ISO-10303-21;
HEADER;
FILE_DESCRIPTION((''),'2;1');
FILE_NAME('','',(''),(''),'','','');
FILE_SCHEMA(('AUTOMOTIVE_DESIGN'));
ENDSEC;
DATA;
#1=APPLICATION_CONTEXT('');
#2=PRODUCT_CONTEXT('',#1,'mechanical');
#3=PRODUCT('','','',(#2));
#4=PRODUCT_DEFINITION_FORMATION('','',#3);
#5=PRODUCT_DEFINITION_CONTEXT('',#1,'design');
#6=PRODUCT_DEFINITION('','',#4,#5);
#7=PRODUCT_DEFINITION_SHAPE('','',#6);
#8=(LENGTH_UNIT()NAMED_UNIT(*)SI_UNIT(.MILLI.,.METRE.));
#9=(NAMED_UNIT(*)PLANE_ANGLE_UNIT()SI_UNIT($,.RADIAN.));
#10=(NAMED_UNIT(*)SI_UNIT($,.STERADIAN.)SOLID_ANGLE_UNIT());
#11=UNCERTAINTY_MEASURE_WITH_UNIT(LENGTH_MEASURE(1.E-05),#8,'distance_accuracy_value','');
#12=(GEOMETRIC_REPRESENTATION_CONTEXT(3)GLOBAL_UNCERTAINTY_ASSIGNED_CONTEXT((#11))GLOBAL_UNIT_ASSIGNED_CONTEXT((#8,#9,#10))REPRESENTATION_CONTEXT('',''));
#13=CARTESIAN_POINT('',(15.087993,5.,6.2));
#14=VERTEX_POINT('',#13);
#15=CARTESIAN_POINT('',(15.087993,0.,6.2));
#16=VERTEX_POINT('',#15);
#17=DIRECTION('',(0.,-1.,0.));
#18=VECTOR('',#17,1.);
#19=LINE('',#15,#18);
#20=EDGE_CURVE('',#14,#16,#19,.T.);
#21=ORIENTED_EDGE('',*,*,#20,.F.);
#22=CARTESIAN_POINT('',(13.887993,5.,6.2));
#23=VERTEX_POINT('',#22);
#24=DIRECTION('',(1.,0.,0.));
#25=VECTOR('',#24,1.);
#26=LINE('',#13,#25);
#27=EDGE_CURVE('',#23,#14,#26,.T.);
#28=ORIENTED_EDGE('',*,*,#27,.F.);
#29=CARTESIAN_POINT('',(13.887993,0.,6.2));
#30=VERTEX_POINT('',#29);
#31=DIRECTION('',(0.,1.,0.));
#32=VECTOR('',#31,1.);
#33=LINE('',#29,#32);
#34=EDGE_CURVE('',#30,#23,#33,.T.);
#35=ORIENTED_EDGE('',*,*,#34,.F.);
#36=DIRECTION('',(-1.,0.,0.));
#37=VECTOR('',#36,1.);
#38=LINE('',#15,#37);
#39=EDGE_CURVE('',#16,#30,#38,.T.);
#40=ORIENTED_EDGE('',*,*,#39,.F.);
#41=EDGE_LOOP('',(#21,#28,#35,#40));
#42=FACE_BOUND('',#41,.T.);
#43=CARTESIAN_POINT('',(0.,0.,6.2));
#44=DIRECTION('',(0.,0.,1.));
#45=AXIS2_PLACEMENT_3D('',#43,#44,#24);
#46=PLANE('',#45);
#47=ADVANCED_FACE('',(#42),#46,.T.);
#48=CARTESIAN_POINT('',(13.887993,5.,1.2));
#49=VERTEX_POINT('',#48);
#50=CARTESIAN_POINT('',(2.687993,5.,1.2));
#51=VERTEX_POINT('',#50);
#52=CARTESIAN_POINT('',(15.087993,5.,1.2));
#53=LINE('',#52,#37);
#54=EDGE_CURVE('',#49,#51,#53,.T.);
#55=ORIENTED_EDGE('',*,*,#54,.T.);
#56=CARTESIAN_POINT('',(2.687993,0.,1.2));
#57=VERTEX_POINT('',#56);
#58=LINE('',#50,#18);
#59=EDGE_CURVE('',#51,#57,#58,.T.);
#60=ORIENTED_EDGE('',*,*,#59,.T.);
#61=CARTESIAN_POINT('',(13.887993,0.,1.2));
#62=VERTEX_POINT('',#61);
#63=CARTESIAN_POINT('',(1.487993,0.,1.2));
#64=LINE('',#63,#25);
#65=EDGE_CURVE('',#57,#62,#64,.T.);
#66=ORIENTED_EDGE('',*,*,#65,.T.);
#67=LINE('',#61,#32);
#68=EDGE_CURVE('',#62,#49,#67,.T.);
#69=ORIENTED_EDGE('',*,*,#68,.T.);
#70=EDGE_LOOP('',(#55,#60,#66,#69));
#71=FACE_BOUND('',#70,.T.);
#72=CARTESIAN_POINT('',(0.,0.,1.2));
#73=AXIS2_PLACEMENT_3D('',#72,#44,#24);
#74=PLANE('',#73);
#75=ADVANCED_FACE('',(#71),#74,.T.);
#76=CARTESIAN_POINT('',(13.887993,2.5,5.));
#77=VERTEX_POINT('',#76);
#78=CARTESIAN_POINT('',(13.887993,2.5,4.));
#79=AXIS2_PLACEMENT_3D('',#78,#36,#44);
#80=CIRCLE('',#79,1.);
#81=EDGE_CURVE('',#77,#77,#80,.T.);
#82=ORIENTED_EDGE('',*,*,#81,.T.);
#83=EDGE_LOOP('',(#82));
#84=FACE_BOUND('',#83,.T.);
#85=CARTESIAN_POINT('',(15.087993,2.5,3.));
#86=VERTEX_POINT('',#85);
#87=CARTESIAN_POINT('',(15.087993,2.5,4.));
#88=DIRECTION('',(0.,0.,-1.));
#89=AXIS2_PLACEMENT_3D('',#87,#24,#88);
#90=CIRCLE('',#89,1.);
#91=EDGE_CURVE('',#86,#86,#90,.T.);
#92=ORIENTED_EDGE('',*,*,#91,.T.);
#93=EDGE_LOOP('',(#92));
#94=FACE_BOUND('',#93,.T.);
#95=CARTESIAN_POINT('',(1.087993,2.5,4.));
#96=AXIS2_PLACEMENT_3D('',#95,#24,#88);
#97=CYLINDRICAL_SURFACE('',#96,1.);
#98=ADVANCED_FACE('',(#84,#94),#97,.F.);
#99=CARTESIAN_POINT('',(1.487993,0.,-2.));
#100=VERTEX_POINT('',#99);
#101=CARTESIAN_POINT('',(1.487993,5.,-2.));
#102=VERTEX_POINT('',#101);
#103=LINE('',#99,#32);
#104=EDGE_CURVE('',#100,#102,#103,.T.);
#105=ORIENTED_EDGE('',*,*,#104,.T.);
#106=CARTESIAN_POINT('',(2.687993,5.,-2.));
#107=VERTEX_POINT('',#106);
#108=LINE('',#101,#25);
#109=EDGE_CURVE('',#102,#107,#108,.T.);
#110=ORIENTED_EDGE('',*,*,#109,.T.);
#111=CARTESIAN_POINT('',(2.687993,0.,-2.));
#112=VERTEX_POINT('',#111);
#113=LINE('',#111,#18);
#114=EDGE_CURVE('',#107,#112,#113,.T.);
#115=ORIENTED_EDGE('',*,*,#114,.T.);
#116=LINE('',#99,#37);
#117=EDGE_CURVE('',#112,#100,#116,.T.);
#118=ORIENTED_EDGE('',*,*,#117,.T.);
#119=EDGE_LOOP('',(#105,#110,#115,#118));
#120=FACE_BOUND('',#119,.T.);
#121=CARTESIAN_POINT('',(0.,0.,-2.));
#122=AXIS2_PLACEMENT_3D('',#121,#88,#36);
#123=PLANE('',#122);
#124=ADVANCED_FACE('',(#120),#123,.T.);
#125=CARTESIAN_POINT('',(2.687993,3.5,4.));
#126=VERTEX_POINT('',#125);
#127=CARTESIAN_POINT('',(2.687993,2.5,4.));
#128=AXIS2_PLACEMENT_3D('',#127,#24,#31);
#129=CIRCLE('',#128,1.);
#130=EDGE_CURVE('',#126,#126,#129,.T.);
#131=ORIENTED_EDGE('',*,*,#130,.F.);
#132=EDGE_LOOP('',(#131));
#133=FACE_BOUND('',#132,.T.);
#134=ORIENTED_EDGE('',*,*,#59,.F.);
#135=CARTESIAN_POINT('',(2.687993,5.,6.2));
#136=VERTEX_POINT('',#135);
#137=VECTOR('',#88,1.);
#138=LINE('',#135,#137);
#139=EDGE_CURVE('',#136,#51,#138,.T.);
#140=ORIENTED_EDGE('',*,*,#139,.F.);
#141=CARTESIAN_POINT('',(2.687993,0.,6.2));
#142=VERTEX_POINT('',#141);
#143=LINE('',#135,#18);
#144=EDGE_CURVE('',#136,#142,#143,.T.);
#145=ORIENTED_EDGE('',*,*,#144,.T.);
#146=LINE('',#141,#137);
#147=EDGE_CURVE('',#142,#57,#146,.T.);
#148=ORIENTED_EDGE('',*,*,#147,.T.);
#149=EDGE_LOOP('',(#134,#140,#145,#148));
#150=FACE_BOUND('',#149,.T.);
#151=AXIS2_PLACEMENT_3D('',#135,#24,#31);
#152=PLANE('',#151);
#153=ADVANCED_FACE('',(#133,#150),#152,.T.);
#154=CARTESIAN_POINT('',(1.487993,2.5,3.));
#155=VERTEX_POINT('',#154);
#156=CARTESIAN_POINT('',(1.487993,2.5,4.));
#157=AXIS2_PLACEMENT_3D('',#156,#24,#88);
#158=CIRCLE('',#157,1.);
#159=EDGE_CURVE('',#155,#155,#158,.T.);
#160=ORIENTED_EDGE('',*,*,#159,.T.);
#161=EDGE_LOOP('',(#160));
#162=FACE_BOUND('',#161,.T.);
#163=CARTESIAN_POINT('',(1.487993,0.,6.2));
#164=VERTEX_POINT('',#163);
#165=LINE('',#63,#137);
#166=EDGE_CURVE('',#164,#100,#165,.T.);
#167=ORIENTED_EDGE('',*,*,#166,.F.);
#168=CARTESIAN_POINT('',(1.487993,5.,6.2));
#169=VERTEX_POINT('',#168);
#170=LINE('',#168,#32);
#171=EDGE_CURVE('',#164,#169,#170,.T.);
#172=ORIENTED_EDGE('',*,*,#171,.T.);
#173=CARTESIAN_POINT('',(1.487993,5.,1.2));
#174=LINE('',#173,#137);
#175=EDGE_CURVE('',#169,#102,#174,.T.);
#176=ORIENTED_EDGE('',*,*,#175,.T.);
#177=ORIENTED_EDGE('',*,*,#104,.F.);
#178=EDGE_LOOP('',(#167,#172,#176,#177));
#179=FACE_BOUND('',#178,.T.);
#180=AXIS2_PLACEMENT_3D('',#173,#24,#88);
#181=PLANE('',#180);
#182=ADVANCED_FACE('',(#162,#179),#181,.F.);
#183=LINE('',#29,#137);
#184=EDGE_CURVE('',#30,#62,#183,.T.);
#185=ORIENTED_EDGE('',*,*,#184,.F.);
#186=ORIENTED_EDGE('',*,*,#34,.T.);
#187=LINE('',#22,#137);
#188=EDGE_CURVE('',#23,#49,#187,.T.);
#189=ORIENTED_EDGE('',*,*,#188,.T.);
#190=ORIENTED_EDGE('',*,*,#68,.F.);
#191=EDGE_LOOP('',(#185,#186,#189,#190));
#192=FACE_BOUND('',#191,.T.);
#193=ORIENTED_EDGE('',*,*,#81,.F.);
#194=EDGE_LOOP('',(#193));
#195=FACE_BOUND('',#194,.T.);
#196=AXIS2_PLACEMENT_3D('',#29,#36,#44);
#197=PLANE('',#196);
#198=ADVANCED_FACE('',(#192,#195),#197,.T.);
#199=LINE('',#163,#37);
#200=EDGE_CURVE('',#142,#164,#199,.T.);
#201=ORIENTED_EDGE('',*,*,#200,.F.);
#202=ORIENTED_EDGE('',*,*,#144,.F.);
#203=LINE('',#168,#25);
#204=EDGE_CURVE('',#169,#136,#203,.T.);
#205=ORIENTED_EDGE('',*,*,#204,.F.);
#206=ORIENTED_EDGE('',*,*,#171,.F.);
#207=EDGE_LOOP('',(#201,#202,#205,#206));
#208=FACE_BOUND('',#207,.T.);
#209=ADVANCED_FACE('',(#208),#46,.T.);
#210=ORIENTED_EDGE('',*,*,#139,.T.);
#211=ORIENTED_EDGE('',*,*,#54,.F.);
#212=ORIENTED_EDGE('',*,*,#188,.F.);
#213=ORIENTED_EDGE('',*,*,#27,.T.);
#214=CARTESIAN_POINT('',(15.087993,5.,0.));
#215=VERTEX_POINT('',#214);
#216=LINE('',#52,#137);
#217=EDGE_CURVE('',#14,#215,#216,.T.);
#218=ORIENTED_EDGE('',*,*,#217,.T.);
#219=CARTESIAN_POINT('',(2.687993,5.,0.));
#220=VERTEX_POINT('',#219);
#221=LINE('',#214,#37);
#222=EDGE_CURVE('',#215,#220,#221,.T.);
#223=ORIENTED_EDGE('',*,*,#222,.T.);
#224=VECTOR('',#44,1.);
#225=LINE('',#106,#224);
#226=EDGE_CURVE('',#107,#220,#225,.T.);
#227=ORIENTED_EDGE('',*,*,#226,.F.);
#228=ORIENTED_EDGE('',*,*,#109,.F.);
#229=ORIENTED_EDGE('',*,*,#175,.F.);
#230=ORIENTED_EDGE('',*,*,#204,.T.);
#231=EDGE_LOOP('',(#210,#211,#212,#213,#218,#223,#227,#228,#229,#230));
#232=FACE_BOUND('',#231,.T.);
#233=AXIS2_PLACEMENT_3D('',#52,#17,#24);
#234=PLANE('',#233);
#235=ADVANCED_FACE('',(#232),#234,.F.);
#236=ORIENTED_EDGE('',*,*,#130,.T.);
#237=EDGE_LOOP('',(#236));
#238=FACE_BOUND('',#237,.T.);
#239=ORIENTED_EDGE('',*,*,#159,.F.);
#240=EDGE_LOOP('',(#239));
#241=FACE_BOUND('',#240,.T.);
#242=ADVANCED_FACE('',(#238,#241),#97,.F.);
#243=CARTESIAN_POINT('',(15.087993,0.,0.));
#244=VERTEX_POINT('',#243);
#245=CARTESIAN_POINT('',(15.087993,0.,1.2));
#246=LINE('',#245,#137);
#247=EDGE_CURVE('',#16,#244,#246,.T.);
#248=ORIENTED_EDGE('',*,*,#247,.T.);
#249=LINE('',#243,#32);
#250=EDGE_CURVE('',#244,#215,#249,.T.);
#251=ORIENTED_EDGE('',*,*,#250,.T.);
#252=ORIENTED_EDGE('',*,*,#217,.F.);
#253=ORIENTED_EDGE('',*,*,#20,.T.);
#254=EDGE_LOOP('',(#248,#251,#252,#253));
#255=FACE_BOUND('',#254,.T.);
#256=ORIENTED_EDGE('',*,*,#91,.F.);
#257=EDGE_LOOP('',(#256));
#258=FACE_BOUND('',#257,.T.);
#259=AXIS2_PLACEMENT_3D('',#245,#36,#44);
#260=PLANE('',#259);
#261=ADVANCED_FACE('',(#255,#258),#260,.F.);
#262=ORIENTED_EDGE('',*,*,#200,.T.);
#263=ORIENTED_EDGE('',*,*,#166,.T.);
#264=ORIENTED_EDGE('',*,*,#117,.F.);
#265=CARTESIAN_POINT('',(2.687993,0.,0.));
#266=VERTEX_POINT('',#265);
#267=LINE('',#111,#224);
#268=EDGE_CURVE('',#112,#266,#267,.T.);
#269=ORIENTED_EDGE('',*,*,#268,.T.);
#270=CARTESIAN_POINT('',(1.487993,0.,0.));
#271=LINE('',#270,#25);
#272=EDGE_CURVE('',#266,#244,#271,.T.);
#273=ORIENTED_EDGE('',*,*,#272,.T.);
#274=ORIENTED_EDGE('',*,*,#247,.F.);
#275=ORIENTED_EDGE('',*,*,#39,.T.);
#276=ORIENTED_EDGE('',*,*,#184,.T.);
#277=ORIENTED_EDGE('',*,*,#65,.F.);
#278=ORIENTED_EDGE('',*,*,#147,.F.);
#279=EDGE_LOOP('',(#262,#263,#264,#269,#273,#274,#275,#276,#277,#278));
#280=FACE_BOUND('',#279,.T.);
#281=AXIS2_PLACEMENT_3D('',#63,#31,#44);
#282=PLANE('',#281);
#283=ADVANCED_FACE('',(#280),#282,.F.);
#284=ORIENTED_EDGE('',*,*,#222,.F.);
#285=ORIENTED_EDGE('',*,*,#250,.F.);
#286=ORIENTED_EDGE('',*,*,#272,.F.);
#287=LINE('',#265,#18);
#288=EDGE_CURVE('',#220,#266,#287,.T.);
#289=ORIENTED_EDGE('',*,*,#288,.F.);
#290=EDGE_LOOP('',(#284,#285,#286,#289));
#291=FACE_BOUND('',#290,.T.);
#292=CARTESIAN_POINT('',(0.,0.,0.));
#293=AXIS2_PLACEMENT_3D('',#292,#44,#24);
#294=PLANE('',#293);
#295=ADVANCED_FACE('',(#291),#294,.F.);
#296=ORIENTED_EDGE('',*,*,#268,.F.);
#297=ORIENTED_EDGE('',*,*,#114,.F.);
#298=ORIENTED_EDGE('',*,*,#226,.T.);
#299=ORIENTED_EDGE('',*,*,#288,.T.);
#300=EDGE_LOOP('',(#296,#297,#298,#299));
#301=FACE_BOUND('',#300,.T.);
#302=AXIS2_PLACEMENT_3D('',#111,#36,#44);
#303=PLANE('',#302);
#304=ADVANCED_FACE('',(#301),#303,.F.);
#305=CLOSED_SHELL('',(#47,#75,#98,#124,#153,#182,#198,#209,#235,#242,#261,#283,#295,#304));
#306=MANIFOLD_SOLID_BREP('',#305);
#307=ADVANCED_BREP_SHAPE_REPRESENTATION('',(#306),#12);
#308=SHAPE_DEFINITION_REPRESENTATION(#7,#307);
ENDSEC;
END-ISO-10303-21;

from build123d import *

# Parameters (mm, degrees)
SKETCH_1_W          = 13.6
SKETCH_1_H          = 5
EXTRUDE_1_DEPTH     = 1.2
SKETCH_2_W          = 1.2
SKETCH_2_H          = 5
EXTRUDE_2_DEPTH     = 5
SKETCH_3_R          = 1
CUT_EXTRUDE_1_DEPTH = 14
SKETCH_5_W          = 1.2
SKETCH_5_H          = 5
EXTRUDE_3_DEPTH     = 2


with BuildPart() as part:
    # 草图1 → 凸台-拉伸1 (new body)
    with BuildSketch(Plane.XY):
        with Locations((8.287992891, 2.5)):
            Rectangle(SKETCH_1_W, SKETCH_1_H)
    extrude(amount=EXTRUDE_1_DEPTH)

    # 草图2 → 凸台-拉伸2 (add)
    with BuildSketch(Plane(origin=(0, 0, 1.2), x_dir=(-1, 0, 0), z_dir=(0, 0, -1))):
        with Locations((-14.487992891, 2.5)):
            Rectangle(SKETCH_2_W, SKETCH_2_H)
        with Locations((-2.087992891, 2.5)):
            Rectangle(SKETCH_2_W, SKETCH_2_H)
    extrude(amount=-EXTRUDE_2_DEPTH)

    # 草图3 → 切除-拉伸1 (cut)
    with BuildSketch(Plane(origin=(15.087992891, 0, 0), x_dir=(0, 0, -1), z_dir=(1, 0, 0))):
        with Locations((-4, 2.5)):
            Circle(SKETCH_3_R)
    extrude(amount=-CUT_EXTRUDE_1_DEPTH, mode=Mode.SUBTRACT)

    # 草图5 → 凸台-拉伸3 (add)
    with BuildSketch(Plane(origin=(0, 0, 0), x_dir=(-1, 0, 0), z_dir=(0, 0, -1))):
        with Locations((-2.087992891, 2.5)):
            Rectangle(SKETCH_5_W, SKETCH_5_H)
    extrude(amount=EXTRUDE_3_DEPTH)


solid = part.part
